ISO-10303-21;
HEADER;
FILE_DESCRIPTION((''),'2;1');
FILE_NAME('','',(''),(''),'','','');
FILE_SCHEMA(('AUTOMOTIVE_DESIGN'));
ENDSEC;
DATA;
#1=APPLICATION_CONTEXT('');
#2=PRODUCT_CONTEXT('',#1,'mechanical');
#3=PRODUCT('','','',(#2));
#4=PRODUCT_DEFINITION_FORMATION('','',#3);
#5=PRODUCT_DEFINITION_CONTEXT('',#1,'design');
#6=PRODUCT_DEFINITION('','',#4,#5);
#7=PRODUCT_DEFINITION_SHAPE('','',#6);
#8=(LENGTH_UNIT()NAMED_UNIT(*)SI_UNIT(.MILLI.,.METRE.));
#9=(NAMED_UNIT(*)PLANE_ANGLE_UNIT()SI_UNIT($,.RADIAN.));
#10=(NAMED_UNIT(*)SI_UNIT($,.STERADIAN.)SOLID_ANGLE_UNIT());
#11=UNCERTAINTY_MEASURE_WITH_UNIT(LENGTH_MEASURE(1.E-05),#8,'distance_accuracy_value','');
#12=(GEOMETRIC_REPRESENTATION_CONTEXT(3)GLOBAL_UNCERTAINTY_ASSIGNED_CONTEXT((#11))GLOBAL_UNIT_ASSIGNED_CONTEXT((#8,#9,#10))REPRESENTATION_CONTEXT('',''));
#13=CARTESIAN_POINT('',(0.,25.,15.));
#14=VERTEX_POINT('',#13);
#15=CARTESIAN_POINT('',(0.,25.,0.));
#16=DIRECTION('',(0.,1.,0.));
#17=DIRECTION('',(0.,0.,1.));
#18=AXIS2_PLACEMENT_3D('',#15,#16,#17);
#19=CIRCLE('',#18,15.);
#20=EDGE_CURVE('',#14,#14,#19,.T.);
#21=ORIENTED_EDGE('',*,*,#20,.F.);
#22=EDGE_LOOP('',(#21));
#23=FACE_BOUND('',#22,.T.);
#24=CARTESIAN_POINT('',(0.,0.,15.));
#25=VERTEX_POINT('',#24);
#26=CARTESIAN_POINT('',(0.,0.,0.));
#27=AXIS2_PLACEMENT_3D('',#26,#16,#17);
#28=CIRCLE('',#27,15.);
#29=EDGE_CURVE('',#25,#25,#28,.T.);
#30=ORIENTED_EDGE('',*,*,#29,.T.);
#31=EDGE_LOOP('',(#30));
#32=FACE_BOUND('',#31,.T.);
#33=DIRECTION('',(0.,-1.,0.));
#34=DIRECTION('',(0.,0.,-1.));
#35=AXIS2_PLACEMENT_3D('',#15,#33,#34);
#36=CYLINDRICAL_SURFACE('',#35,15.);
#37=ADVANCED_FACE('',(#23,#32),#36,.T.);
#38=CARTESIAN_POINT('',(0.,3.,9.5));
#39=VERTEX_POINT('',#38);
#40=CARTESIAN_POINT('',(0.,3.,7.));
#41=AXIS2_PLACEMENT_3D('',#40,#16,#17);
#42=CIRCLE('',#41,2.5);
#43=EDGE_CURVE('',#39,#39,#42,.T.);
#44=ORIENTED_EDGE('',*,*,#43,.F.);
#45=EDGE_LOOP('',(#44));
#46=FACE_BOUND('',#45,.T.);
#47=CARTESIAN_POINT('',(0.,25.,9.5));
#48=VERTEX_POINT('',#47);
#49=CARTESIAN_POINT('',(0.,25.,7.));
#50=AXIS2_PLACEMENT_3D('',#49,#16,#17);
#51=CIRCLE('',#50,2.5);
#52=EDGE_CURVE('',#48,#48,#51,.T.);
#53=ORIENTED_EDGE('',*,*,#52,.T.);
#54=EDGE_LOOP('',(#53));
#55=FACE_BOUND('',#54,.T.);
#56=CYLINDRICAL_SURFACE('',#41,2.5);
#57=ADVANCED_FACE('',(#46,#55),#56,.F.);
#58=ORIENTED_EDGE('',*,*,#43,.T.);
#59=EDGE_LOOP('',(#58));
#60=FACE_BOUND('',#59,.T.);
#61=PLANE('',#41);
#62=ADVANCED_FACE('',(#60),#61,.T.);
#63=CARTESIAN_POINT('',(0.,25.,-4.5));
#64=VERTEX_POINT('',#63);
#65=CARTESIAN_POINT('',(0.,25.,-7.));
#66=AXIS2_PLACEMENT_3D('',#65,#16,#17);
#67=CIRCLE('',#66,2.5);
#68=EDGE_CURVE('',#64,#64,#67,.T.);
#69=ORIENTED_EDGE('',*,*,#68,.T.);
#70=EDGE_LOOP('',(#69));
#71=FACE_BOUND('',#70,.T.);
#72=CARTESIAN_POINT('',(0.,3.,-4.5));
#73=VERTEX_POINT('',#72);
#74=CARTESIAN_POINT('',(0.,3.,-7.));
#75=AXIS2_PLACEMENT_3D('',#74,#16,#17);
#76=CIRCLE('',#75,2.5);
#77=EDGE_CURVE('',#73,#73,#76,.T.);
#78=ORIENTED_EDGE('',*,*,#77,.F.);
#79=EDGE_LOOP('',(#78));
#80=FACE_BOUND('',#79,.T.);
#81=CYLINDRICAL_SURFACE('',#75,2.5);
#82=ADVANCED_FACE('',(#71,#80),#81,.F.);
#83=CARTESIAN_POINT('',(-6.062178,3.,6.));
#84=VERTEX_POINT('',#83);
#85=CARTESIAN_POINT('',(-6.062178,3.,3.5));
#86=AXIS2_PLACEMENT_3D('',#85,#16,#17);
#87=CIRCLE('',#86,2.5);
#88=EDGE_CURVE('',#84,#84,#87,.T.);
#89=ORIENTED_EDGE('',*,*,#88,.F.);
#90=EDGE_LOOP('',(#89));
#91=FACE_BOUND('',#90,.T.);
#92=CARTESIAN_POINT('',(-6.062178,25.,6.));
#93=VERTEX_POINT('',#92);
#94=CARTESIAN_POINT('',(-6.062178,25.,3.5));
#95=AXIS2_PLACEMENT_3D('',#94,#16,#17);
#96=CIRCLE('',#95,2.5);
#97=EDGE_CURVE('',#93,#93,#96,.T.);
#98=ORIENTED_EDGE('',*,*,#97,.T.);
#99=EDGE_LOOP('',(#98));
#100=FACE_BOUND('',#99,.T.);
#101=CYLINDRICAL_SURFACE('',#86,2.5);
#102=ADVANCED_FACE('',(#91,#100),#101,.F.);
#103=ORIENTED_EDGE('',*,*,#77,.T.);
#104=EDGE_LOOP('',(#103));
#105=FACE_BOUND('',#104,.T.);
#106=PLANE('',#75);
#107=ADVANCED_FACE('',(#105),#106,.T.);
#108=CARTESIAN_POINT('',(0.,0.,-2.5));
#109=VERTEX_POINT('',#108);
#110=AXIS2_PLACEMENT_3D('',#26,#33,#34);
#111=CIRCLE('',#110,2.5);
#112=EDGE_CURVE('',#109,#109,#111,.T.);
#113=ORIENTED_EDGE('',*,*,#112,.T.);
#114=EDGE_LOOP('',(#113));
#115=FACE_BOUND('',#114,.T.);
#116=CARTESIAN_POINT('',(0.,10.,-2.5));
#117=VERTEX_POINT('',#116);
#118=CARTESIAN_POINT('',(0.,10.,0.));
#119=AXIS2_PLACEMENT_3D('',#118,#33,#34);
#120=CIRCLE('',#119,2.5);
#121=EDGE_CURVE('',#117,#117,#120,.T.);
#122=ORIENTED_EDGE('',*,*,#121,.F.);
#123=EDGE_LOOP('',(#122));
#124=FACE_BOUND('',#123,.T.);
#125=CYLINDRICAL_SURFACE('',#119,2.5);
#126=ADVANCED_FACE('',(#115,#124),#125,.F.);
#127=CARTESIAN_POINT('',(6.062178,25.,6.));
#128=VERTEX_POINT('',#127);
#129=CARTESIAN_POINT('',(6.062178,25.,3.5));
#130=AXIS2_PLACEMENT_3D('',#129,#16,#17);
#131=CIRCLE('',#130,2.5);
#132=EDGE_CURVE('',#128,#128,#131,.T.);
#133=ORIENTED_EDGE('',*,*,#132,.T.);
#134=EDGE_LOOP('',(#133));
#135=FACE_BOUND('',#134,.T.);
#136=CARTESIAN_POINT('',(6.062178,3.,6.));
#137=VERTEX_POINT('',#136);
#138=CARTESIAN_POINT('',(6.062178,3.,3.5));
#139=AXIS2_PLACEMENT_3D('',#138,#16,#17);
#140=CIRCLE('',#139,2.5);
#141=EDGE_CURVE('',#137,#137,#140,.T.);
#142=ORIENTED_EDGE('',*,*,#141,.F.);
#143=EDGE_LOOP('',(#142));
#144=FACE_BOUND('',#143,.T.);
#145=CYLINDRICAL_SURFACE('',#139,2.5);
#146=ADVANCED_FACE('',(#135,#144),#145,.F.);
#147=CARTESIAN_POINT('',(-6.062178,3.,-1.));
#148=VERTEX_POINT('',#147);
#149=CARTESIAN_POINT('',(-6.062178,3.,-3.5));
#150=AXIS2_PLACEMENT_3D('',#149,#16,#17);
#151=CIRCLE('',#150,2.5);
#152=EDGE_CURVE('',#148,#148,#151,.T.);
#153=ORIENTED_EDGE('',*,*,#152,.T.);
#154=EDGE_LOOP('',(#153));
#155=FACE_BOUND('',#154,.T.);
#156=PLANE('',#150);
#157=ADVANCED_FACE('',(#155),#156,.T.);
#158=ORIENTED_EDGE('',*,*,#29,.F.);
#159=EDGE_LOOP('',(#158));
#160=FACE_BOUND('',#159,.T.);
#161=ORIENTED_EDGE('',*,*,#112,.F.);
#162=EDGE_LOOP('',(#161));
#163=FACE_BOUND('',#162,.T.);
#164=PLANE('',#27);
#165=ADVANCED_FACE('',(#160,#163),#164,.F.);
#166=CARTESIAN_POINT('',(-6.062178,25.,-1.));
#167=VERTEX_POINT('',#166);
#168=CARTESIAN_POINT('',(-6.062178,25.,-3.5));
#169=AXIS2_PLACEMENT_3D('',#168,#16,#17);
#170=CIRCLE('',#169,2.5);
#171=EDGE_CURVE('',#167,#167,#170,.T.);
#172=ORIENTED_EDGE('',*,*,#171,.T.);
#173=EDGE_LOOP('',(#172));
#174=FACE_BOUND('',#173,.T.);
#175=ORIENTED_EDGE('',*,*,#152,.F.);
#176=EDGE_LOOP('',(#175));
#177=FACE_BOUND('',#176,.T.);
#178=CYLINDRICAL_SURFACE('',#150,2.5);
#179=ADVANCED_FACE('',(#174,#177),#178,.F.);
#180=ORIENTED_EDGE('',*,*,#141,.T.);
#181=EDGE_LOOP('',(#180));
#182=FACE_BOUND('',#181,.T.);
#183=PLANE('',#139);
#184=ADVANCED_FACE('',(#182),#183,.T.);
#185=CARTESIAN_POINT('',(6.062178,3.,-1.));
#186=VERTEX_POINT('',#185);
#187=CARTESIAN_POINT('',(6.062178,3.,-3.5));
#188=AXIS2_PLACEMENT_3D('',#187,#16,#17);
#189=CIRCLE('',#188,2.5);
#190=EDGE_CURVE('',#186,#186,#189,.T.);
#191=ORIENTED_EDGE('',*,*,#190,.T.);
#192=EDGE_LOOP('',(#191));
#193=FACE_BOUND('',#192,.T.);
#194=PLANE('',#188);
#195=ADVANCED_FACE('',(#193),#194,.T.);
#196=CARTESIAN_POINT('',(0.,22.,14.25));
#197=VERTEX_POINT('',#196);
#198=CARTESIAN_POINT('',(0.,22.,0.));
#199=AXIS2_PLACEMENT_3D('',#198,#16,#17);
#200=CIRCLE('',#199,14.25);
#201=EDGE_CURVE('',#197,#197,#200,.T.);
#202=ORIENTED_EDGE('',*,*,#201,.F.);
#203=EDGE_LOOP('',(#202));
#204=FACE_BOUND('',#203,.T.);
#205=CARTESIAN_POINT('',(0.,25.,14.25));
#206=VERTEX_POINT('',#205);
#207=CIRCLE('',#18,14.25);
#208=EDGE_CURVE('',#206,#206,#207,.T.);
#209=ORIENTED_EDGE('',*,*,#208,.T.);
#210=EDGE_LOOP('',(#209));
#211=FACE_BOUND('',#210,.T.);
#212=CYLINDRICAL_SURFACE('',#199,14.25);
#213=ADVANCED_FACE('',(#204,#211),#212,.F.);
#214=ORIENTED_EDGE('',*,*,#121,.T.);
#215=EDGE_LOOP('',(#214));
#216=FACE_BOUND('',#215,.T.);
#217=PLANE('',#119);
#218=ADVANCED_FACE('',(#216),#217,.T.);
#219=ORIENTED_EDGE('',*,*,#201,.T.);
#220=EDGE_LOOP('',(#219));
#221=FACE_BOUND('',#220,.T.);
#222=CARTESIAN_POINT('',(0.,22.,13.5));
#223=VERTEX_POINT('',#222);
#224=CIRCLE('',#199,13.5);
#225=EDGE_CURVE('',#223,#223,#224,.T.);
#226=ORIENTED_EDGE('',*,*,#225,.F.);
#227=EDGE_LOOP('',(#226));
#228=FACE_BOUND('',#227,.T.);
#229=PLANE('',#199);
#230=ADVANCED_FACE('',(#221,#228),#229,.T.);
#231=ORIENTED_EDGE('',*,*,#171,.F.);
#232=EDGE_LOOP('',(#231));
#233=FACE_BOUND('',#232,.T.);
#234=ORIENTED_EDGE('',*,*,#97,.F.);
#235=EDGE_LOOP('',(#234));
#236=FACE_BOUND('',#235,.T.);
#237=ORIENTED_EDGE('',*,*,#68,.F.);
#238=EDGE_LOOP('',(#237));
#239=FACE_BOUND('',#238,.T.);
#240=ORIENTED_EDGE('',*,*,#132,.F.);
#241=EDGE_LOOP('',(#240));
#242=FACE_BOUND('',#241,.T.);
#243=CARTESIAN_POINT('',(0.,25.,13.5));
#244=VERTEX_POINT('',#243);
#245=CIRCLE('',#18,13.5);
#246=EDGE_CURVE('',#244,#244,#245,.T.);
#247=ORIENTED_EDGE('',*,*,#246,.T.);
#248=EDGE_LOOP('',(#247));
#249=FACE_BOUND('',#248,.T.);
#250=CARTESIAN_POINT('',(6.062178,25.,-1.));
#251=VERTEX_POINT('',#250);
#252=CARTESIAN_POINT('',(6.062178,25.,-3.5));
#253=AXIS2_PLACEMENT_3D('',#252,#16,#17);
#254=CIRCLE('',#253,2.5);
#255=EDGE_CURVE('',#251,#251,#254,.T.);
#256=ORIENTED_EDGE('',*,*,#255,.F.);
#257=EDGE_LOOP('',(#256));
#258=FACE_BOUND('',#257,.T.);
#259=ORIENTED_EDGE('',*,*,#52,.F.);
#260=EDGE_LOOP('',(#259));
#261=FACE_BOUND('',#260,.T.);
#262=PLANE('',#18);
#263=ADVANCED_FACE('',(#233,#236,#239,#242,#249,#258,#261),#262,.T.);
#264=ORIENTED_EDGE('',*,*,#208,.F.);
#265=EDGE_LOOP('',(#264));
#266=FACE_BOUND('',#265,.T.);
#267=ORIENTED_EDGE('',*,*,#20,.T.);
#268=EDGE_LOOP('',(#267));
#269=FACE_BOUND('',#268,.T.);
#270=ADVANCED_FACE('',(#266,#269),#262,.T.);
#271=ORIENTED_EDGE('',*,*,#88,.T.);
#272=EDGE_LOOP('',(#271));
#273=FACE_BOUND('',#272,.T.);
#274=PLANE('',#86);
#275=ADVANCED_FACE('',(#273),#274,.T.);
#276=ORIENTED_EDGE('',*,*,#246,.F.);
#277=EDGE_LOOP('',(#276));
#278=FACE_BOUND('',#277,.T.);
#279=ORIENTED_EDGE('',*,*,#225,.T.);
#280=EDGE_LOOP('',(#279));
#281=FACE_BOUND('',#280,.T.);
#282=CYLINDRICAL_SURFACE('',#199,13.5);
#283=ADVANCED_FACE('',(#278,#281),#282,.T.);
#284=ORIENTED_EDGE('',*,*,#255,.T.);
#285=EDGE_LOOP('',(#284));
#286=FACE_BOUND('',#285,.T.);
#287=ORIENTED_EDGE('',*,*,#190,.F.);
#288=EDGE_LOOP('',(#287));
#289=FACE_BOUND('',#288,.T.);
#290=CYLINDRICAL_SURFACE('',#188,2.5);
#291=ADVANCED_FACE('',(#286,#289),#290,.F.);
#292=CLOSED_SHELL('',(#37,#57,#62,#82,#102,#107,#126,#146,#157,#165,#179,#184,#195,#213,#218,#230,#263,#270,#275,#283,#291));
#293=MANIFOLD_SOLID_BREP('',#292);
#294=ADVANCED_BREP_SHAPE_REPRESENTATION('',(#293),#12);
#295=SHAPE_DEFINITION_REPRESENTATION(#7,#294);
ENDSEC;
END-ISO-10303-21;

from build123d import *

# Parameters (mm, degrees)
SKETCH1_R           = 15
BOSS_EXTRUDE1_DEPTH = 25
SKETCH4_R           = 14.25
SKETCH4_R_2         = 13.5
CUT_EXTRUDE2_DEPTH  = 3
SKETCH5_R           = 2.5
CUT_EXTRUDE3_DEPTH  = 22
SKETCH6_R           = 2.5
CUT_EXTRUDE4_DEPTH  = 10


with BuildPart() as part:
    # Sketch1 → Boss-Extrude1 (new body)
    with BuildSketch(Plane(origin=(0, 0, 0), x_dir=(1, 0, 0), z_dir=(0, 1, 0))):
        with Locations(Location((0, 0, 0), (0, 0, 270))):
            Circle(SKETCH1_R)
    extrude(amount=BOSS_EXTRUDE1_DEPTH)

    # Sketch4 → Cut-Extrude2 (cut)
    with BuildSketch(Plane(origin=(0, 25, 0), x_dir=(1, 0, 0), z_dir=(0, 1, 0))):
        with Locations(Location((0, 0, 0), (0, 0, 270))):
            Circle(SKETCH4_R)
        with Locations(Location((0, 0, 0), (0, 0, 270))):
            Circle(SKETCH4_R_2, mode=Mode.SUBTRACT)
    extrude(amount=-CUT_EXTRUDE2_DEPTH, mode=Mode.SUBTRACT)

    # Sketch5 → Cut-Extrude3 (cut)
    with BuildSketch(Plane(origin=(0, 25, 0), x_dir=(1, 0, 0), z_dir=(0, 1, 0))):
        with Locations(Location((0, 7, 0), (0, 0, 270))):
            Circle(SKETCH5_R)
        with Locations(Location((6.062177826, 3.5, 0), (0, 0, 270))):
            Circle(SKETCH5_R)
        with Locations(Location((6.062177826, -3.5, 0), (0, 0, 270))):
            Circle(SKETCH5_R)
        with Locations(Location((0, -7, 0), (0, 0, 270))):
            Circle(SKETCH5_R)
        with Locations(Location((-6.062177826, -3.5, 0), (0, 0, 270))):
            Circle(SKETCH5_R)
        with Locations(Location((-6.062177826, 3.5, 0), (0, 0, 270))):
            Circle(SKETCH5_R)
    extrude(amount=-CUT_EXTRUDE3_DEPTH, mode=Mode.SUBTRACT)

    # Sketch6 → Cut-Extrude4 (cut)
    with BuildSketch(Plane.XZ):
        with Locations(Location((0, 0, 0), (0, 0, 270))):
            Circle(SKETCH6_R)
    extrude(amount=-CUT_EXTRUDE4_DEPTH, mode=Mode.SUBTRACT)


solid = part.part
